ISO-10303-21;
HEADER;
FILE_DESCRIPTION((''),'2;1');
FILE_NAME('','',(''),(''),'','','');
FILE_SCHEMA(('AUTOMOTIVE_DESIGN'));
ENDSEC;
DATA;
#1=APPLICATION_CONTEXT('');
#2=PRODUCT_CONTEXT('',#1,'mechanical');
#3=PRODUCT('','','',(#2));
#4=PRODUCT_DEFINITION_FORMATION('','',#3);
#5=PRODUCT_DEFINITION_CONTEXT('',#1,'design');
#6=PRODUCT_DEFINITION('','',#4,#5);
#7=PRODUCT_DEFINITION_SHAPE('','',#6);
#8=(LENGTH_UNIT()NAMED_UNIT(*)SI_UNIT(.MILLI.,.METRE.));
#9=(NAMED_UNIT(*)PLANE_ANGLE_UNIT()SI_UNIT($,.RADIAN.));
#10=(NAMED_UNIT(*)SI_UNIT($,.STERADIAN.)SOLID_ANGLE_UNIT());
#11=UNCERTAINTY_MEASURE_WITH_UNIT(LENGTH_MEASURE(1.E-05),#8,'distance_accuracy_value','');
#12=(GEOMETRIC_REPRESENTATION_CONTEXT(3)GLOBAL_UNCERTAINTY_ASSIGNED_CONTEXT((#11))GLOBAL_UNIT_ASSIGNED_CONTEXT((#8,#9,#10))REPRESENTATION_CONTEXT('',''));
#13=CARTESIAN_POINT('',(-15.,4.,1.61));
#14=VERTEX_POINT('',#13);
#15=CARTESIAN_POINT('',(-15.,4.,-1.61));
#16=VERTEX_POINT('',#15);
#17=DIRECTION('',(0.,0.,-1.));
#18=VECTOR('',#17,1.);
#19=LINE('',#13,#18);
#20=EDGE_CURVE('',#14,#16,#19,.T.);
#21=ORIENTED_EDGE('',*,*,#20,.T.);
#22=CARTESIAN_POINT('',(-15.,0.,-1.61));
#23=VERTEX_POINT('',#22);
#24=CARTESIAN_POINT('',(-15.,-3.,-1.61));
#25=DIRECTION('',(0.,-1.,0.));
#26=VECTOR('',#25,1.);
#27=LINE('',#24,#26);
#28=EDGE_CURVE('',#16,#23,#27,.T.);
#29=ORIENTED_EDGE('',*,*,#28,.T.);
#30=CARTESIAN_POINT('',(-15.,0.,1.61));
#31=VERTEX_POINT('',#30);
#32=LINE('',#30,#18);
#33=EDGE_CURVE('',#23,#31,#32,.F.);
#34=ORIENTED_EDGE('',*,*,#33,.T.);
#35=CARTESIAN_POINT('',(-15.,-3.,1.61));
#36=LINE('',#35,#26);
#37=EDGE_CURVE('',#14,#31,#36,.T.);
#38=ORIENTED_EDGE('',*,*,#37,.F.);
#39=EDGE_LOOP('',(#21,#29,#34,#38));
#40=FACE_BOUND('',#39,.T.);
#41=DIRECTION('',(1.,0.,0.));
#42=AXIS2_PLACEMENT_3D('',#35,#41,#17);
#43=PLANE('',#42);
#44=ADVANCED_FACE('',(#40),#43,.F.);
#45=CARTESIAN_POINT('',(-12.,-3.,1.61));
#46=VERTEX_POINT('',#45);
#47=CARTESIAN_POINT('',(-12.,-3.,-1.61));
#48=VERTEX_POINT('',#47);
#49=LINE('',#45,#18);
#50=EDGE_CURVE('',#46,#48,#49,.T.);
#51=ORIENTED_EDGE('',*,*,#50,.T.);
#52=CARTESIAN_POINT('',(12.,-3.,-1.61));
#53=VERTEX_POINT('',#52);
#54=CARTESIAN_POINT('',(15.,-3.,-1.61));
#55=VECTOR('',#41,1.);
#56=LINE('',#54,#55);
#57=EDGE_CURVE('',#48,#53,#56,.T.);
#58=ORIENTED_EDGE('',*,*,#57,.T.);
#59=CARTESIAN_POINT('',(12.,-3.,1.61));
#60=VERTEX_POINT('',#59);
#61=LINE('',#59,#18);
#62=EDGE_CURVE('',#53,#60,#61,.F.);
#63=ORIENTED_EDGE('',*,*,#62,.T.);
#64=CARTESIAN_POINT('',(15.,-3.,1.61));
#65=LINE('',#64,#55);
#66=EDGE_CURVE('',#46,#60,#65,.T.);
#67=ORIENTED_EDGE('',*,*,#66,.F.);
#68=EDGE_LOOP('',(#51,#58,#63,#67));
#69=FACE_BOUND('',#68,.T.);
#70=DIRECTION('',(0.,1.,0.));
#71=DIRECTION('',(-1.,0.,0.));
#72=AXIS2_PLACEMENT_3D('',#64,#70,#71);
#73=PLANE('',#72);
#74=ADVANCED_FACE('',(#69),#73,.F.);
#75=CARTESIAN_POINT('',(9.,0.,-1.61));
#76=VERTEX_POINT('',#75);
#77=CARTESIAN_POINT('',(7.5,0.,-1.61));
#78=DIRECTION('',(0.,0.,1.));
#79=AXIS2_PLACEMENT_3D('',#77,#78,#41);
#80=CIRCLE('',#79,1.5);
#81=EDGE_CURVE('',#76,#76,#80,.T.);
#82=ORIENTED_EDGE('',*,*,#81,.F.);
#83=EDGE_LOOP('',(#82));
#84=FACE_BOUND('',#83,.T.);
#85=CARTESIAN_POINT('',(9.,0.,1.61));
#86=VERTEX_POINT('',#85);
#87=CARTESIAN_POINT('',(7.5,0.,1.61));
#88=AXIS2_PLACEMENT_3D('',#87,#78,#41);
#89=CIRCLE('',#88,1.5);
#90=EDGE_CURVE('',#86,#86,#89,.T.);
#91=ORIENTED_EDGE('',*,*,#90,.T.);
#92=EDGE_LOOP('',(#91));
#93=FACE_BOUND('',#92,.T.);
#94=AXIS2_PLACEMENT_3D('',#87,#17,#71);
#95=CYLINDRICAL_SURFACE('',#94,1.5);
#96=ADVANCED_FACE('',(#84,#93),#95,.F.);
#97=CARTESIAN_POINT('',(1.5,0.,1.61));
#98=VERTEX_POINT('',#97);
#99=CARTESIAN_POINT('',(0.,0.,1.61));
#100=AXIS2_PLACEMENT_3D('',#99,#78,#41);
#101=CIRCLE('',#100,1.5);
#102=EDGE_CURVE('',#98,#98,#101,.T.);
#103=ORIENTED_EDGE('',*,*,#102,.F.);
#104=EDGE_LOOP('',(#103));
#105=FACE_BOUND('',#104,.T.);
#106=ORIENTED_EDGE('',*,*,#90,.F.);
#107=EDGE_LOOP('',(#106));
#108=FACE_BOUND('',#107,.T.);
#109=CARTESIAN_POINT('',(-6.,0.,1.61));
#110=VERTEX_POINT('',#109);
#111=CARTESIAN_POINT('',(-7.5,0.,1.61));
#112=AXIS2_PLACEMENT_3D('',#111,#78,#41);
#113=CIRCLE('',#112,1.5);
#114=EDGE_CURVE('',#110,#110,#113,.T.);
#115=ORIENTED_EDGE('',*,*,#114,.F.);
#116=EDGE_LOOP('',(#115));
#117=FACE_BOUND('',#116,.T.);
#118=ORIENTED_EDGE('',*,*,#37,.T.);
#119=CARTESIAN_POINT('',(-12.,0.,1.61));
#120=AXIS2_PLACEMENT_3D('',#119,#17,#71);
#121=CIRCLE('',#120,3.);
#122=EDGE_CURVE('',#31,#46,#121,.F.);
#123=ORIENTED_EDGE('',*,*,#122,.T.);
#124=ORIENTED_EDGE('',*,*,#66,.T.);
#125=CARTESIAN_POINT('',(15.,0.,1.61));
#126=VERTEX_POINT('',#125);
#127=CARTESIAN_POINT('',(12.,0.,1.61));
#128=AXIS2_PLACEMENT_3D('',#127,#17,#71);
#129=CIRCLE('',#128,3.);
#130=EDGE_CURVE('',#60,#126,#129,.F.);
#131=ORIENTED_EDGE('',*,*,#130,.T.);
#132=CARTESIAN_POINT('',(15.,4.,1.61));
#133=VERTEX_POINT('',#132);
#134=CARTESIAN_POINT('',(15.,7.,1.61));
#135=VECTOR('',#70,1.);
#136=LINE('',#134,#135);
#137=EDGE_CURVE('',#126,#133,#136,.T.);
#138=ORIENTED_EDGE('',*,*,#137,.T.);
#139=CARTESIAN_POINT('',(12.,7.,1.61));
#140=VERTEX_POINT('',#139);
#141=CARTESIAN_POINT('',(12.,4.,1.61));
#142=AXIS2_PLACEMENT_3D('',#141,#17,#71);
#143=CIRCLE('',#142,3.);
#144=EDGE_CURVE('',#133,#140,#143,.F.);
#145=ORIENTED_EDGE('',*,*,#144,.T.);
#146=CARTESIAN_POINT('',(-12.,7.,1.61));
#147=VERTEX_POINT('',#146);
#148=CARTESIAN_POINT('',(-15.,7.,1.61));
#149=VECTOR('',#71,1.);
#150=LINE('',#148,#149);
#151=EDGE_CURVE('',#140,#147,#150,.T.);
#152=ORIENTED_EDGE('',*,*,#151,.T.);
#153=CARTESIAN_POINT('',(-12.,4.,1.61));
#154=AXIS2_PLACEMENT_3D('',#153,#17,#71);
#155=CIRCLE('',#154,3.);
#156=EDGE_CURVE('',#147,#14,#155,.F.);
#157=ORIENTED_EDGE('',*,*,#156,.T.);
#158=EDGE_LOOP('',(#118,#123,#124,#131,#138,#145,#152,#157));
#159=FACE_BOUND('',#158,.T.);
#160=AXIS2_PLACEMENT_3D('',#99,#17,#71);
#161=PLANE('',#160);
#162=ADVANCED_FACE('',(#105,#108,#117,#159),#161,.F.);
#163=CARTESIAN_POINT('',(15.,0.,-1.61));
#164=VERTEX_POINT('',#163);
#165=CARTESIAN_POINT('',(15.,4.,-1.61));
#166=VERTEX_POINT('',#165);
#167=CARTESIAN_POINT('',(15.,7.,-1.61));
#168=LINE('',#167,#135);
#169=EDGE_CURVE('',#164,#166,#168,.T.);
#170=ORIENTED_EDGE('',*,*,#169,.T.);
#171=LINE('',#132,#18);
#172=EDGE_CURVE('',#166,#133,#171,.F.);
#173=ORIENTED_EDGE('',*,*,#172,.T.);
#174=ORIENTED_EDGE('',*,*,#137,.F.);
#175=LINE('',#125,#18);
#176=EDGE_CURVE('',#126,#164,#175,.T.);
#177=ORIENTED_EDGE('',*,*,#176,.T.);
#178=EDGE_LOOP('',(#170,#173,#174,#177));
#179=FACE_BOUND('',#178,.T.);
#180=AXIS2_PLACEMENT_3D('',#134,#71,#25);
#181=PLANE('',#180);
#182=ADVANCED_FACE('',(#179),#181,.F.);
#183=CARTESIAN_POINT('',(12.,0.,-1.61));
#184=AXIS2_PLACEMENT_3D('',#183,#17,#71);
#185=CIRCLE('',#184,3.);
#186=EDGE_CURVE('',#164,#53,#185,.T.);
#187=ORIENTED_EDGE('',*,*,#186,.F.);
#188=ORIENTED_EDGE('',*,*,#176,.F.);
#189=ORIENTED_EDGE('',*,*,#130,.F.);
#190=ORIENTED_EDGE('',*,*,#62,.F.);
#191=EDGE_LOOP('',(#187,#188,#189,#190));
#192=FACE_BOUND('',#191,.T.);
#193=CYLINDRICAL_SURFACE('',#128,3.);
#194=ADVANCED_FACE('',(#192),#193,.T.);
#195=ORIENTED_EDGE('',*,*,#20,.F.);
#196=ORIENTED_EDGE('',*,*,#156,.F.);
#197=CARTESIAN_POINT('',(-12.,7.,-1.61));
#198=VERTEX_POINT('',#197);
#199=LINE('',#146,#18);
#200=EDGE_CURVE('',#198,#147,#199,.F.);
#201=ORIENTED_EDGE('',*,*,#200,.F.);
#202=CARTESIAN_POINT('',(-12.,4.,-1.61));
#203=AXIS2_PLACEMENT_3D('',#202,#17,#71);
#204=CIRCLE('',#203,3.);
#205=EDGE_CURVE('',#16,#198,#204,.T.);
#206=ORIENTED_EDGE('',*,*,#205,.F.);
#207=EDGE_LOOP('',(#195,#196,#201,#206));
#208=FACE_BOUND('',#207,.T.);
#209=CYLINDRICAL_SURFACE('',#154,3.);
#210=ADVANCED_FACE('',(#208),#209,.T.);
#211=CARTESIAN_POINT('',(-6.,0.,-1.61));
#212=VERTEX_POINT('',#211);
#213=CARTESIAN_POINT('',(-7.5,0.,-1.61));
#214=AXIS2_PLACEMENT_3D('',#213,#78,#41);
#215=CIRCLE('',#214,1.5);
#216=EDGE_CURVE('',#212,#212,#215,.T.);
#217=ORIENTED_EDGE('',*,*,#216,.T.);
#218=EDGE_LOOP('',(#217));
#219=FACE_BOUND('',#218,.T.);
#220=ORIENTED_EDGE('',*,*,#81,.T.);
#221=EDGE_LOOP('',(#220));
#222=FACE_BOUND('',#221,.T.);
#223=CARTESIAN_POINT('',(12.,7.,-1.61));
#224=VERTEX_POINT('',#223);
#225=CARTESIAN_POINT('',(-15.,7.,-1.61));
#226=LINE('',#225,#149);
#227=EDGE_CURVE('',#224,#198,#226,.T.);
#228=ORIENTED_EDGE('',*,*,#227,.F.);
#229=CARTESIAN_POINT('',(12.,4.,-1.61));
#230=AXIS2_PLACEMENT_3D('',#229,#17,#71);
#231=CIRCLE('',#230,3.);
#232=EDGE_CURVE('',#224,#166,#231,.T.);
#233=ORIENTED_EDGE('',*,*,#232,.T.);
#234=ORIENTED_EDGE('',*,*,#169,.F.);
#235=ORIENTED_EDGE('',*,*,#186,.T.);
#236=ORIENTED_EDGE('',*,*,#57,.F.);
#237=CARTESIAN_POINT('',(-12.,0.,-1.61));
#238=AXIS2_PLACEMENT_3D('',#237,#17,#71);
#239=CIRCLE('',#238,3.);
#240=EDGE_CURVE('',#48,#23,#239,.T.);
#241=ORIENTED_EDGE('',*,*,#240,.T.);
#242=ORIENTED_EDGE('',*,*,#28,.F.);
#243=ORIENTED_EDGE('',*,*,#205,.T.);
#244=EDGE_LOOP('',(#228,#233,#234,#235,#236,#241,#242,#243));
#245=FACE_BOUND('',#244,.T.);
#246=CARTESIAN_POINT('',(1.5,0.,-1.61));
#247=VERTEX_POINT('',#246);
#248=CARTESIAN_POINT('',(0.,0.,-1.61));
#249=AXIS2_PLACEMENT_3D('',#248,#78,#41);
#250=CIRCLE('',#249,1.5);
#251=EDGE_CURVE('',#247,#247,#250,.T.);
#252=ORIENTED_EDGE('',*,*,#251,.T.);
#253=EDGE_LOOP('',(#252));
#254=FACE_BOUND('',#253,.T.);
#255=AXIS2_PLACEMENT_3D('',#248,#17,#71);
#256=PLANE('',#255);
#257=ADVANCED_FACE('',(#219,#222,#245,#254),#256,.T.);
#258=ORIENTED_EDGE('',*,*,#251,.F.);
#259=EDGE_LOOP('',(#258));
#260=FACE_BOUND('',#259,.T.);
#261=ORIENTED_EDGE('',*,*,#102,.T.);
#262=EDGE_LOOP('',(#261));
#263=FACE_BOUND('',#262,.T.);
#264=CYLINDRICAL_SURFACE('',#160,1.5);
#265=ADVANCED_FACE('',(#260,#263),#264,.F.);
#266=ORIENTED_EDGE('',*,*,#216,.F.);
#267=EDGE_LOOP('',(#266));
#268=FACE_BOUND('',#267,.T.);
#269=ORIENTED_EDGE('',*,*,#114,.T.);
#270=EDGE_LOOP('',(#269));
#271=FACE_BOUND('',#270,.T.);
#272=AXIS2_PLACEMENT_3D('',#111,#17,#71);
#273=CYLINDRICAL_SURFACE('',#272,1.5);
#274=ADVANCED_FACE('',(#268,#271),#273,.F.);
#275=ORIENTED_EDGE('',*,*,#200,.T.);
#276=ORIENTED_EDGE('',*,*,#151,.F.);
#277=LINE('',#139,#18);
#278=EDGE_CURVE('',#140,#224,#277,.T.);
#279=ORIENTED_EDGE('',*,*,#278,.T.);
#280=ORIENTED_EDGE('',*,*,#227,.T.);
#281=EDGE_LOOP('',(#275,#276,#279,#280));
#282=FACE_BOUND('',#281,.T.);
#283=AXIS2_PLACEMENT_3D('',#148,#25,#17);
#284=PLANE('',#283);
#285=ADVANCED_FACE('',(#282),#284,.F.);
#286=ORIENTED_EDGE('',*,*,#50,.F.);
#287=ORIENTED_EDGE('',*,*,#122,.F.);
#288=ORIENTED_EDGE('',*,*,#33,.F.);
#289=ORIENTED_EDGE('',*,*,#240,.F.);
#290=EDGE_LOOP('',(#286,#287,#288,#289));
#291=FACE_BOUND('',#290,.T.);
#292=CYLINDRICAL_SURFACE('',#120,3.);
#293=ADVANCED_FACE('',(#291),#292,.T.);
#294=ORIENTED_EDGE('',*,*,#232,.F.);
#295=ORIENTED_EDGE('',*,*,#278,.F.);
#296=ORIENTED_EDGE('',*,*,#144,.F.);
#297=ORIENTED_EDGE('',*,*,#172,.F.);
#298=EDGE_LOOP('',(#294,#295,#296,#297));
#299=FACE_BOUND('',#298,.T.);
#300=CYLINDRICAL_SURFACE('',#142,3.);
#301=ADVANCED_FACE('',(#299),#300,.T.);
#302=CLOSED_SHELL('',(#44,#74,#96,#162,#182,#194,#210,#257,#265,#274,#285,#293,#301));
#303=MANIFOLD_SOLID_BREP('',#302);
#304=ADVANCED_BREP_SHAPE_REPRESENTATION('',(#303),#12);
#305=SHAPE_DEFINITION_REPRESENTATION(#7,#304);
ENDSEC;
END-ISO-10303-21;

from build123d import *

# Parameters (mm, degrees)
SKETCH1_W           = 30
SKETCH1_H           = 10
SKETCH1_R           = 1.5
BOSS_EXTRUDE1_DEPTH = 1.61
FILLET1_R           = 3


with BuildPart() as part:
    # Sketch1 → Boss-Extrude1 (new body, symmetric)
    with BuildSketch(Plane.XY):
        with Locations((0, 2)):
            Rectangle(SKETCH1_W, SKETCH1_H)
        with Locations((-7.5, 0)):
            Circle(SKETCH1_R, mode=Mode.SUBTRACT)
        Circle(SKETCH1_R, mode=Mode.SUBTRACT)
        with Locations((7.5, 0)):
            Circle(SKETCH1_R, mode=Mode.SUBTRACT)
    extrude(amount=BOSS_EXTRUDE1_DEPTH, both=True)

    # Fillet1
    fillet1_edges = [part.edges().sort_by_distance(p)[0] for p in [
        (15, -3, 0),
        (-15, -3, 0),
        (-15, 7, 0),
        (15, 7, 0),
    ]]
    fillet(fillet1_edges, radius=FILLET1_R)


solid = part.part
